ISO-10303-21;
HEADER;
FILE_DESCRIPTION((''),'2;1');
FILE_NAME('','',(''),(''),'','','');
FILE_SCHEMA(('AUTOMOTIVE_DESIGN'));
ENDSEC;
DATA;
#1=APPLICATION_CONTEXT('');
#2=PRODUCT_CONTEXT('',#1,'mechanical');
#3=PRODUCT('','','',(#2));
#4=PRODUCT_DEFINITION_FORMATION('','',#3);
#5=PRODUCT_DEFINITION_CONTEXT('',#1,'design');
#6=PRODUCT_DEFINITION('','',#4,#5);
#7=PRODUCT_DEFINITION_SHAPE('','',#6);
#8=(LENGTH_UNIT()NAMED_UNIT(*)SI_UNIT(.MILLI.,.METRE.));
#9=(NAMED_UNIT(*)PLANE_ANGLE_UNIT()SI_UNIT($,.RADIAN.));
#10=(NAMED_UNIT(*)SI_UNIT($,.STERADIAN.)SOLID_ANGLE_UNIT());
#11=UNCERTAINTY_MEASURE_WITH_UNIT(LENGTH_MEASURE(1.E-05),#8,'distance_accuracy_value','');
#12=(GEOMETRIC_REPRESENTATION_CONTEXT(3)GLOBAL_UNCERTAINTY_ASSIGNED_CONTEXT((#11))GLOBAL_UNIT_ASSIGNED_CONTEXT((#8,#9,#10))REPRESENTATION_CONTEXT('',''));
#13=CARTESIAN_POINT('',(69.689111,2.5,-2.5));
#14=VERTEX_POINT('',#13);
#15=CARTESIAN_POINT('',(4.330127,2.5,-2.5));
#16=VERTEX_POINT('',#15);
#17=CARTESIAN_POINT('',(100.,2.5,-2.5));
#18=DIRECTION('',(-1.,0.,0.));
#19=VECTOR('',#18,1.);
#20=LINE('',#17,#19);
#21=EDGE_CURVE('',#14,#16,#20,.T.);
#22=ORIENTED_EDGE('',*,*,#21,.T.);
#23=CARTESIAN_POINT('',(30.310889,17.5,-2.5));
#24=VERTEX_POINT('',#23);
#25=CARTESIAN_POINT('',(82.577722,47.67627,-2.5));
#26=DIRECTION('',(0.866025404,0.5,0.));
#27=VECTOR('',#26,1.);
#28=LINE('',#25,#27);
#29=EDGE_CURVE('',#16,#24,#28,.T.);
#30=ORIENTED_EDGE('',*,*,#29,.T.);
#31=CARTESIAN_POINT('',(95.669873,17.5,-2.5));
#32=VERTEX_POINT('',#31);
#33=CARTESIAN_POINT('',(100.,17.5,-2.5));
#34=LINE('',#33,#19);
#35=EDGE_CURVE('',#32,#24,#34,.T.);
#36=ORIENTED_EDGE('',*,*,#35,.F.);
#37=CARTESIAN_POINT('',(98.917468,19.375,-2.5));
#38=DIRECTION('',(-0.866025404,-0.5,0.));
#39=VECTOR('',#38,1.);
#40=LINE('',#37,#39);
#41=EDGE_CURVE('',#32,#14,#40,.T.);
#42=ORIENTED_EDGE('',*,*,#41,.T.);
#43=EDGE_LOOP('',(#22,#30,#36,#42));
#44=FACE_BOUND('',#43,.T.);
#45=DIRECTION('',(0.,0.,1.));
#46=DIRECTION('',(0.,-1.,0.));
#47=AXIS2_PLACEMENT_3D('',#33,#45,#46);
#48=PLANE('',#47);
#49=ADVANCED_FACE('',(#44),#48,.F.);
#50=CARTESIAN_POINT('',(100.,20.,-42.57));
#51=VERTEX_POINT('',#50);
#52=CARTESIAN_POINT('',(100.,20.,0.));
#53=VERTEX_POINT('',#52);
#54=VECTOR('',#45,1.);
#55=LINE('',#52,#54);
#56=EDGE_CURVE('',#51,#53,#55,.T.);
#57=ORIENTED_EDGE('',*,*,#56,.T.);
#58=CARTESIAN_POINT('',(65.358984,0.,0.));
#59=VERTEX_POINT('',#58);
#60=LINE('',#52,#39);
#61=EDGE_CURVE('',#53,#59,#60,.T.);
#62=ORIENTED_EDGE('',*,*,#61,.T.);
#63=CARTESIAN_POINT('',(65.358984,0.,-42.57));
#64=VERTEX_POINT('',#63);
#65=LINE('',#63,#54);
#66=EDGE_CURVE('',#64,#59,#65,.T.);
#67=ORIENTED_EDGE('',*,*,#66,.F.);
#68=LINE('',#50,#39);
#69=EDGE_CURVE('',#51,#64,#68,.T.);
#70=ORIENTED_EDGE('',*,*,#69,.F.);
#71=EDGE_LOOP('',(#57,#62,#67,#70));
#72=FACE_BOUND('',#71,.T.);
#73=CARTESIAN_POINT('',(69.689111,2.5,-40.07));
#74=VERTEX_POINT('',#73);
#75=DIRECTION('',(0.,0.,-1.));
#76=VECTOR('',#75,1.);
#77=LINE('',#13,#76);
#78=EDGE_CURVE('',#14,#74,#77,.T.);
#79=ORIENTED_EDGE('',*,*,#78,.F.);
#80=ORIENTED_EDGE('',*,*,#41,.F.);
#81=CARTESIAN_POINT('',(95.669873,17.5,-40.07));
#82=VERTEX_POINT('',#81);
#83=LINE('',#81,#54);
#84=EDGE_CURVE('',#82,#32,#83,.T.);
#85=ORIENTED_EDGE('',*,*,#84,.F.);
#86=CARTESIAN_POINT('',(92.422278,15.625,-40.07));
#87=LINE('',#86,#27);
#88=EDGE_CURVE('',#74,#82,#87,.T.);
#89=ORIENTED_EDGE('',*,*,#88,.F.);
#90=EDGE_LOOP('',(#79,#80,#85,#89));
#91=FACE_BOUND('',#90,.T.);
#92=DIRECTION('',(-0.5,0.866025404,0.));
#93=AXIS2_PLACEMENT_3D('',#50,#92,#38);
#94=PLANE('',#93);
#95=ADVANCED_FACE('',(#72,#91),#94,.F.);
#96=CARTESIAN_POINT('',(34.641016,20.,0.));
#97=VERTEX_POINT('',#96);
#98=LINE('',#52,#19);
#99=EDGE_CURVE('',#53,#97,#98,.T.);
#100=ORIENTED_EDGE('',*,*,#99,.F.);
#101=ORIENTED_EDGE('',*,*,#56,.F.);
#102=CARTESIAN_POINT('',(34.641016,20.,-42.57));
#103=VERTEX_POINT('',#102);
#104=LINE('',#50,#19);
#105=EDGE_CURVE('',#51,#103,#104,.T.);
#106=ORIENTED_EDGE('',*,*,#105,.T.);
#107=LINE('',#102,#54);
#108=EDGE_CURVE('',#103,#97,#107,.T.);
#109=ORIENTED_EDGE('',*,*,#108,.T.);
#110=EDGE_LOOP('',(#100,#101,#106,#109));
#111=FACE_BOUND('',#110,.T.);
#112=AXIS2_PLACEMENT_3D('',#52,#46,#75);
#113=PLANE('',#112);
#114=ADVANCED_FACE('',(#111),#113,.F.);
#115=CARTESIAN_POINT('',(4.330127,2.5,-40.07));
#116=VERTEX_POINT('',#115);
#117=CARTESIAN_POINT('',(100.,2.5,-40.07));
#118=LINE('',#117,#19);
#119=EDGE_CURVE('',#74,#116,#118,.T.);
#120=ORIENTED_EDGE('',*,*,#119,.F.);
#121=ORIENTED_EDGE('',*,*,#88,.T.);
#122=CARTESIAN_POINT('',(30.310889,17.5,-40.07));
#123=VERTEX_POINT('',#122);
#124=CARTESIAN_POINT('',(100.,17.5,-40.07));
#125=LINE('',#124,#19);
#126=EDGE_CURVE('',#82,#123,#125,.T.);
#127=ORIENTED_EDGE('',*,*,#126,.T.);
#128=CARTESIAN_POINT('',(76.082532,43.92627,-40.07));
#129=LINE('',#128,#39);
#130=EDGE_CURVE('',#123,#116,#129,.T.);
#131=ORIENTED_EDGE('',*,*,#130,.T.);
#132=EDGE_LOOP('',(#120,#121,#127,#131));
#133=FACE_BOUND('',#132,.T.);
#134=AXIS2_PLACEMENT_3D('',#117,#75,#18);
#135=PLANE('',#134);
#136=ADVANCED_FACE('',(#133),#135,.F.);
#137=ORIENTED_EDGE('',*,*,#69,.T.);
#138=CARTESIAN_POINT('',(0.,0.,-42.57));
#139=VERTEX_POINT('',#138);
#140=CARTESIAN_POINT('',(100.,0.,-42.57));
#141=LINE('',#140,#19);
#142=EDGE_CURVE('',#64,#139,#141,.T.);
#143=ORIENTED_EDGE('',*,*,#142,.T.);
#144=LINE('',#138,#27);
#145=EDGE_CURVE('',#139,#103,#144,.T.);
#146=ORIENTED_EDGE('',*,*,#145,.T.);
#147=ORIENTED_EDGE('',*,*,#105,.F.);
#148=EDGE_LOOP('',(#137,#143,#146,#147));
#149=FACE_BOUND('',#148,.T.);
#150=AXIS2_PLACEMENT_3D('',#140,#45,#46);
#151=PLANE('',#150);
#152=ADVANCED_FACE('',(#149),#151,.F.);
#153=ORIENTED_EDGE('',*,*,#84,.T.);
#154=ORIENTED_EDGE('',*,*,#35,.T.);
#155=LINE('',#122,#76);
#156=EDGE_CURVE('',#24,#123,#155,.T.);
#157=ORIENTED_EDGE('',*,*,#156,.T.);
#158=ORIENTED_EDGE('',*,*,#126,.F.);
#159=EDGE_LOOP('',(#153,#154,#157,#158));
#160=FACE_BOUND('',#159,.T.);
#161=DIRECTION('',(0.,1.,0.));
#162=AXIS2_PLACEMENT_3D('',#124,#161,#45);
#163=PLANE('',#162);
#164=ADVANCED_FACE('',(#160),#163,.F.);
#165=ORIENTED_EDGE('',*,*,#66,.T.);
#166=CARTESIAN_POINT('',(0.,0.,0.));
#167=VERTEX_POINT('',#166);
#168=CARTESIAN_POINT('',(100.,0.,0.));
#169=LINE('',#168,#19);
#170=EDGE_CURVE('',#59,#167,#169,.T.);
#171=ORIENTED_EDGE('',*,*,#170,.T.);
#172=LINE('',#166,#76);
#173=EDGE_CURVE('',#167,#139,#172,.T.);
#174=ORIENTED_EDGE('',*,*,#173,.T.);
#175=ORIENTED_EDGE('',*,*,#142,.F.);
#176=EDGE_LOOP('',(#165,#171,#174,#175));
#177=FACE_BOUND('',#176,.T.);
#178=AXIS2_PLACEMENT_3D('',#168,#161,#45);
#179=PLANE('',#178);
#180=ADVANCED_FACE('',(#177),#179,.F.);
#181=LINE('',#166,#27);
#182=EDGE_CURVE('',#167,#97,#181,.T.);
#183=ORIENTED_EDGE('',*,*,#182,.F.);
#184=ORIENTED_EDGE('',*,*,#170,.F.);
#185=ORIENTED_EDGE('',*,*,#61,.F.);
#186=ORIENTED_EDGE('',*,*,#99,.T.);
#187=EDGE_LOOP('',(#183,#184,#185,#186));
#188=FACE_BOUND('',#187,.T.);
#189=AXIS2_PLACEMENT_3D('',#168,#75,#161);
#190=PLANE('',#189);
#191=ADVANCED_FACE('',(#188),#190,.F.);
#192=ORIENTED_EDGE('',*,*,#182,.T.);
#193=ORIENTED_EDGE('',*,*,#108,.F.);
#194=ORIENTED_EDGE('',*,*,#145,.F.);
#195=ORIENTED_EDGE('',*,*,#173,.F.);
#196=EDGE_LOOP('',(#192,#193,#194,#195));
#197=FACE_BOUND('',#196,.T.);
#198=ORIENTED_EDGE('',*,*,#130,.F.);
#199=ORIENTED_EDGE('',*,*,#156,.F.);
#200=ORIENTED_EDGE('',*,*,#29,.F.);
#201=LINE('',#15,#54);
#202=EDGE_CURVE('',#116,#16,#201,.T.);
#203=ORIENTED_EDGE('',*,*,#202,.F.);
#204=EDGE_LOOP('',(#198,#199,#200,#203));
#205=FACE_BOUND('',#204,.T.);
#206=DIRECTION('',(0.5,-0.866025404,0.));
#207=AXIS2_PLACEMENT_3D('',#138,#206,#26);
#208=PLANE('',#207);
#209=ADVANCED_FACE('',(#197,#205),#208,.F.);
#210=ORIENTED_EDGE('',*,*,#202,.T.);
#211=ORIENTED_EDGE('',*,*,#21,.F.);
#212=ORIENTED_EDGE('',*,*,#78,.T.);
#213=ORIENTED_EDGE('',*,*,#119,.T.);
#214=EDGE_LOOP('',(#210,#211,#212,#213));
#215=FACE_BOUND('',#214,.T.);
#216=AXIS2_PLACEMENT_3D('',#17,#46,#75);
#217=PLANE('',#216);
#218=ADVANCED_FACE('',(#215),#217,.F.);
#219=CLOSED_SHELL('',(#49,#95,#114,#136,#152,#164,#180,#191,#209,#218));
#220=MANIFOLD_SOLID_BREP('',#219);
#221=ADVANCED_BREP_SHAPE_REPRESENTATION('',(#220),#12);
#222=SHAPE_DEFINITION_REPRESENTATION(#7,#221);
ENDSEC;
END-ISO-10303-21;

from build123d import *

# Parameters (mm, degrees)
SKETCH1_W           = 42.57
SKETCH1_H           = 20
BOSS_EXTRUDE1_DEPTH = 100
SKETCH2_W           = 37.57
SKETCH2_H           = 15
CUT_EXTRUDE1_DEPTH  = 111.508845347
CUT_EXTRUDE2_DEPTH  = 111.508845347


with BuildPart() as part:
    # Sketch1 → Boss-Extrude1 (new body)
    with BuildSketch(Plane(origin=(0, 0, 0), x_dir=(0, 0, -1), z_dir=(1, 0, 0))):
        with Locations((21.285, 10)):
            Rectangle(SKETCH1_W, SKETCH1_H)
    extrude(amount=BOSS_EXTRUDE1_DEPTH)

    # Sketch2 → Cut-Extrude1 (cut, through all)
    with BuildSketch(Plane.ZY):
        with Locations((-21.285, 10)):
            Rectangle(SKETCH2_W, SKETCH2_H)
    extrude(amount=-CUT_EXTRUDE1_DEPTH, mode=Mode.SUBTRACT)

    # Sketch3 → Cut-Extrude2 (cut, through all)
    with BuildSketch(Plane.XY):
        Polygon((0, 0), (34.641016151, 20), (0, 20), align=None)
        Polygon((100, 20), (65.358983849, 0), (100, 0), align=None)
    extrude(amount=-CUT_EXTRUDE2_DEPTH, mode=Mode.SUBTRACT)


solid = part.part
